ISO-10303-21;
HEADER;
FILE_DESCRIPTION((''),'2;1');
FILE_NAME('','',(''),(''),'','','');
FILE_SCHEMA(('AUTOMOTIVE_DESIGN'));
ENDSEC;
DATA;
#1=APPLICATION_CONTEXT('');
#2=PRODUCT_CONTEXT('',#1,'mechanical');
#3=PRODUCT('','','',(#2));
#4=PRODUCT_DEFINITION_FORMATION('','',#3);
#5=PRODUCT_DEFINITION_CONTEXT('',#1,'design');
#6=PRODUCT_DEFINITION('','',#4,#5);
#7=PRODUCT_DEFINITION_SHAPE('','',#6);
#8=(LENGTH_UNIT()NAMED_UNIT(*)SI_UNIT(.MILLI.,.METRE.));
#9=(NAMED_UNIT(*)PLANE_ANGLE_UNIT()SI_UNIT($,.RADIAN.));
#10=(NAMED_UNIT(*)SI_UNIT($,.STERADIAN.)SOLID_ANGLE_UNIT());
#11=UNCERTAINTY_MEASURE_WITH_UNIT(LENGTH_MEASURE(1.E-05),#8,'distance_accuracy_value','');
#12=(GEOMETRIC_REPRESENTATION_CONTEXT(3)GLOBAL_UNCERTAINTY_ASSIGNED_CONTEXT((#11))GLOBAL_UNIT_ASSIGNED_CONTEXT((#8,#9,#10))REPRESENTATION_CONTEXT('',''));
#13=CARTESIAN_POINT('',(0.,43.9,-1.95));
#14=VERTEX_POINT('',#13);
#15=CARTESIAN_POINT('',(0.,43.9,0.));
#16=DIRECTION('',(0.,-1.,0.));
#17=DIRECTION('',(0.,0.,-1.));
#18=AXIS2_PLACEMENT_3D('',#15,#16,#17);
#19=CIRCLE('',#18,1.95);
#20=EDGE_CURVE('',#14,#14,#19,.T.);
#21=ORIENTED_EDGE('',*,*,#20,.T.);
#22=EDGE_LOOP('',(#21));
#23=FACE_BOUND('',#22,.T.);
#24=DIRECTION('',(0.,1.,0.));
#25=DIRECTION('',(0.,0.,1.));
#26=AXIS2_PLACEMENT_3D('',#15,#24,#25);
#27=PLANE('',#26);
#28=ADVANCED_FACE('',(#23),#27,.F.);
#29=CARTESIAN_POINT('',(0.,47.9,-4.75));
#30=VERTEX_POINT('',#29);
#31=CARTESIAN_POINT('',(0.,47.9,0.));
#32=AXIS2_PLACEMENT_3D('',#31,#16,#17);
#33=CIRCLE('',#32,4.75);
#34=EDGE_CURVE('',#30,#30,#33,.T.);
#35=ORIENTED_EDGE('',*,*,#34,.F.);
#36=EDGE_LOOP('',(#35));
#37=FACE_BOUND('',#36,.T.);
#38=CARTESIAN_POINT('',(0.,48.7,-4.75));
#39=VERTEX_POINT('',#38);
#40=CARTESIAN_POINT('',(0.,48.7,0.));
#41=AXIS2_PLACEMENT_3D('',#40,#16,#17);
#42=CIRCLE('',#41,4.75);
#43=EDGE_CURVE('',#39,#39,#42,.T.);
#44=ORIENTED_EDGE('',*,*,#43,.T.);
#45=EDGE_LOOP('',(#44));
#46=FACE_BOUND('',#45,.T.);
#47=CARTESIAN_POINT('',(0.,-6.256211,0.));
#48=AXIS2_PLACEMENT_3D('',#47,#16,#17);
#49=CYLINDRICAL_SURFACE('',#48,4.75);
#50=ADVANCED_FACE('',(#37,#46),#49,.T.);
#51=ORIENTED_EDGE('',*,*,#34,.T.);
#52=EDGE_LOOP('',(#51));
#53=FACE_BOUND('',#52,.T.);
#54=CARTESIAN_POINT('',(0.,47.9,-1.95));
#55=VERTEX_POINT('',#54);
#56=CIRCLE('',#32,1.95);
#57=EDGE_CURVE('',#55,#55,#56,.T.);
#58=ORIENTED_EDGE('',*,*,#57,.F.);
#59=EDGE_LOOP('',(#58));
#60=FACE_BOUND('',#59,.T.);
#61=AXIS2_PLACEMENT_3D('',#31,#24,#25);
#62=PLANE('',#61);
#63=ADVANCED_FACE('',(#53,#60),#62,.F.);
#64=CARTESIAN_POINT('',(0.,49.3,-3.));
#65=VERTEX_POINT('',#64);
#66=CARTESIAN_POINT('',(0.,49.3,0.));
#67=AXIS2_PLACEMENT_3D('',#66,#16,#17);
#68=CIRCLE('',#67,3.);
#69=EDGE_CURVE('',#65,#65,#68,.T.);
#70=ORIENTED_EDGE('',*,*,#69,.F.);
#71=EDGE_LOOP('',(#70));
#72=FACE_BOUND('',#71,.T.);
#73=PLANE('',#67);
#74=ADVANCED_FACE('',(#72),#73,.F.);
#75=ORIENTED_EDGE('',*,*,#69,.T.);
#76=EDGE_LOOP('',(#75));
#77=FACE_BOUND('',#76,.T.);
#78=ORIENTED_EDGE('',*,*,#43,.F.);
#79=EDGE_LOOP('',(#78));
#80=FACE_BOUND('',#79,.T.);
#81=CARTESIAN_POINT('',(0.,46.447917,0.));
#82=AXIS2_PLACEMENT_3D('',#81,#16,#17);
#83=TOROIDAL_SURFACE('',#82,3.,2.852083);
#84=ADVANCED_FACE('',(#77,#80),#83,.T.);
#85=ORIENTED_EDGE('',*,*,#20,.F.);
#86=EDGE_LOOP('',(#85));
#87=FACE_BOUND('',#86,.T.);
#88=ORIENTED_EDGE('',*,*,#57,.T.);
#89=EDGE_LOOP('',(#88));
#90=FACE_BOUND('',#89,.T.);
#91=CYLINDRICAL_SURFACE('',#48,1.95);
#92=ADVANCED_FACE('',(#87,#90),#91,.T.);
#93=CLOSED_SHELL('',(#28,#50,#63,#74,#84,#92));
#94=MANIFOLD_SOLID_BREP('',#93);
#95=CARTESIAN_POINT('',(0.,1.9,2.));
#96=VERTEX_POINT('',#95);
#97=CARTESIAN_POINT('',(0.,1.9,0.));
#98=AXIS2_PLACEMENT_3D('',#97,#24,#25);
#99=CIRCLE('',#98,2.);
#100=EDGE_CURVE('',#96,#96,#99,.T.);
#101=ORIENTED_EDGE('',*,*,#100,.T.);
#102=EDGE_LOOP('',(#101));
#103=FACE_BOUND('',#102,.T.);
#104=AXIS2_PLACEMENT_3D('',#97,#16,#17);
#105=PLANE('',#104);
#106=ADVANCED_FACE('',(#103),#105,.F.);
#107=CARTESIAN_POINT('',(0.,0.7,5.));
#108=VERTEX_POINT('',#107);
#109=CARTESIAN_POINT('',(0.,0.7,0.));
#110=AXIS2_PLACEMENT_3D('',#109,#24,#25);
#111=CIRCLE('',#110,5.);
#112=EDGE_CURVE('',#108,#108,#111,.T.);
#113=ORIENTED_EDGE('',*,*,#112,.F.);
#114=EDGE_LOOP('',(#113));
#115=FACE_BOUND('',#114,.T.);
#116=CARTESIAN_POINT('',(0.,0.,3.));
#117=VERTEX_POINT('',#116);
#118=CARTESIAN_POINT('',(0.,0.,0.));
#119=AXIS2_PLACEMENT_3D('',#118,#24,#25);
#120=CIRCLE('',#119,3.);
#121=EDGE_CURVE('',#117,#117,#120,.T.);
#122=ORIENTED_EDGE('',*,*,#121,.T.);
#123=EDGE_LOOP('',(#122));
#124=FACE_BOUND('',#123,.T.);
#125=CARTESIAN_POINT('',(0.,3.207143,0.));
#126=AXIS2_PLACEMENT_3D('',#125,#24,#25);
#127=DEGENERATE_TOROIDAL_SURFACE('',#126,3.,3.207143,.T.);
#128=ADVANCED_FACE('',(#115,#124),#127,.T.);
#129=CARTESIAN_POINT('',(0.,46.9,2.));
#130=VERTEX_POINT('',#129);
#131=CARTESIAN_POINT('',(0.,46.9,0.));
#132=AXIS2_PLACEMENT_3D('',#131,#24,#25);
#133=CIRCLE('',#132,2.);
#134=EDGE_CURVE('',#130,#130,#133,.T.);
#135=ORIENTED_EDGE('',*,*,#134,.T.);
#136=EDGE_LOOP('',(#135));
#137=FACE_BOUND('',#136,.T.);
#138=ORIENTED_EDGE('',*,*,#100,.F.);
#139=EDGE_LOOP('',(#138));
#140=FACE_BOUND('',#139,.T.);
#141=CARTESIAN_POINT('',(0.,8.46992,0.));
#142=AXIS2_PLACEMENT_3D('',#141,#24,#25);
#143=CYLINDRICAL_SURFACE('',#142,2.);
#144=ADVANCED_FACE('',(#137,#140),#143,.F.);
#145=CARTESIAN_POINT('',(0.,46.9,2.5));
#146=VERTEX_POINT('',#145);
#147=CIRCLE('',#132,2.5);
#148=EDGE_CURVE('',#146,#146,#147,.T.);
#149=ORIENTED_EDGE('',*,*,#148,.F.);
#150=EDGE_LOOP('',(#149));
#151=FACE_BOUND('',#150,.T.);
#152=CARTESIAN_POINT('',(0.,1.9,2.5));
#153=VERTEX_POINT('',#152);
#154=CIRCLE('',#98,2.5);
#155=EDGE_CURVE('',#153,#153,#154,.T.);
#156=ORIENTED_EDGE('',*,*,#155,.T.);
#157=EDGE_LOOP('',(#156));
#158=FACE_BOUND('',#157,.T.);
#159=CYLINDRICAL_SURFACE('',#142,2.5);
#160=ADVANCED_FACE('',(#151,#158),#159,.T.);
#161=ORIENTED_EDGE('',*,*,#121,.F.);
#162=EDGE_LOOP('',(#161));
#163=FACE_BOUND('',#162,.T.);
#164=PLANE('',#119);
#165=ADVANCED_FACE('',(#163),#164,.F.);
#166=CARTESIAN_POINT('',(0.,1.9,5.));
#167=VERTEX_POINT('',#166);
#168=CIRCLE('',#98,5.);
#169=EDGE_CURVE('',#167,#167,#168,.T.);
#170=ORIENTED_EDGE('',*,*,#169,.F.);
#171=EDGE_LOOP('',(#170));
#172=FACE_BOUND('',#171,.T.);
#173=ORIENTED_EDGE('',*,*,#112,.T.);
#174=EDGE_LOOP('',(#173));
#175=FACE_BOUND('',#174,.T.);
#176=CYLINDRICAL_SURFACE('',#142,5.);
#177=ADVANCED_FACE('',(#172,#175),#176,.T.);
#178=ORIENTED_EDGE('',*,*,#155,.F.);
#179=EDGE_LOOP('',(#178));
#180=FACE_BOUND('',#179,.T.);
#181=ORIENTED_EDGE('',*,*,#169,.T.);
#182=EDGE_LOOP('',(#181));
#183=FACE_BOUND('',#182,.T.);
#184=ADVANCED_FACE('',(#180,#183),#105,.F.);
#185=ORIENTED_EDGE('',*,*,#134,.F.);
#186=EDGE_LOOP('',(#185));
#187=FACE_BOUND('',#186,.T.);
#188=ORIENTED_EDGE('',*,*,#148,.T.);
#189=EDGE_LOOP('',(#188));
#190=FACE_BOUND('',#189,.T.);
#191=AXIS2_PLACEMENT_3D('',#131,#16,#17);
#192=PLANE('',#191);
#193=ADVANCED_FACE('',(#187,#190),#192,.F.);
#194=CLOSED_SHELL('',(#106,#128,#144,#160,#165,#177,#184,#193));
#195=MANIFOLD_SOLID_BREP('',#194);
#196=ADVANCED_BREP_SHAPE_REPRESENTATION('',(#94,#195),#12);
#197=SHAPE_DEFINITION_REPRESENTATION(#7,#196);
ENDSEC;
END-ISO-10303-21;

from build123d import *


with BuildPart() as part:
    # 草图1 → 旋转1 (revolve)
    with BuildSketch(Plane.XY, mode=Mode.PRIVATE) as revolve_1_sk:
        with BuildLine():
            Line((0, 1.9), (0, 0))
            Line((0, 0), (3, 0))
            ThreePointArc((3, 0), (4.059481005, 0.180054271), (5, 0.7))
            Line((5, 0.7), (5, 1.9))
            Line((5, 1.9), (2.5, 1.9))
            Line((2.5, 1.9), (2.5, 46.9))
            Line((2.5, 46.9), (2, 46.9))
            Line((2, 46.9), (2, 1.9))
            Line((2, 1.9), (0, 1.9))
        make_face()
    revolve(revolve_1_sk.sketch.rotate(Axis((0, 8.469919731, 0), (0, -1, 0)), 90), axis=Axis((0, 8.469919731, 0), (0, -1, 0)))


with BuildPart() as body_2:
    # 草图2 → 旋转2 (revolve)
    with BuildSketch(Plane.XY, mode=Mode.PRIVATE) as revolve_2_sk:
        with BuildLine():
            Line((0, 43.9), (0, 49.3))
            Line((0, 49.3), (-3, 49.3))
            ThreePointArc((-3, 49.3), (-3.925, 49.145833333), (-4.75, 48.7))
            Line((-4.75, 48.7), (-4.75, 47.9))
            Line((-4.75, 47.9), (-1.95, 47.9))
            Line((-1.95, 47.9), (-1.95, 43.9))
            Line((-1.95, 43.9), (0, 43.9))
        make_face()
    revolve(revolve_2_sk.sketch.rotate(Axis((0, -6.2562109, 0), (0, 1, 0)), 270), axis=Axis((0, -6.2562109, 0), (0, 1, 0)))


solid = Compound([part.part, body_2.part])
